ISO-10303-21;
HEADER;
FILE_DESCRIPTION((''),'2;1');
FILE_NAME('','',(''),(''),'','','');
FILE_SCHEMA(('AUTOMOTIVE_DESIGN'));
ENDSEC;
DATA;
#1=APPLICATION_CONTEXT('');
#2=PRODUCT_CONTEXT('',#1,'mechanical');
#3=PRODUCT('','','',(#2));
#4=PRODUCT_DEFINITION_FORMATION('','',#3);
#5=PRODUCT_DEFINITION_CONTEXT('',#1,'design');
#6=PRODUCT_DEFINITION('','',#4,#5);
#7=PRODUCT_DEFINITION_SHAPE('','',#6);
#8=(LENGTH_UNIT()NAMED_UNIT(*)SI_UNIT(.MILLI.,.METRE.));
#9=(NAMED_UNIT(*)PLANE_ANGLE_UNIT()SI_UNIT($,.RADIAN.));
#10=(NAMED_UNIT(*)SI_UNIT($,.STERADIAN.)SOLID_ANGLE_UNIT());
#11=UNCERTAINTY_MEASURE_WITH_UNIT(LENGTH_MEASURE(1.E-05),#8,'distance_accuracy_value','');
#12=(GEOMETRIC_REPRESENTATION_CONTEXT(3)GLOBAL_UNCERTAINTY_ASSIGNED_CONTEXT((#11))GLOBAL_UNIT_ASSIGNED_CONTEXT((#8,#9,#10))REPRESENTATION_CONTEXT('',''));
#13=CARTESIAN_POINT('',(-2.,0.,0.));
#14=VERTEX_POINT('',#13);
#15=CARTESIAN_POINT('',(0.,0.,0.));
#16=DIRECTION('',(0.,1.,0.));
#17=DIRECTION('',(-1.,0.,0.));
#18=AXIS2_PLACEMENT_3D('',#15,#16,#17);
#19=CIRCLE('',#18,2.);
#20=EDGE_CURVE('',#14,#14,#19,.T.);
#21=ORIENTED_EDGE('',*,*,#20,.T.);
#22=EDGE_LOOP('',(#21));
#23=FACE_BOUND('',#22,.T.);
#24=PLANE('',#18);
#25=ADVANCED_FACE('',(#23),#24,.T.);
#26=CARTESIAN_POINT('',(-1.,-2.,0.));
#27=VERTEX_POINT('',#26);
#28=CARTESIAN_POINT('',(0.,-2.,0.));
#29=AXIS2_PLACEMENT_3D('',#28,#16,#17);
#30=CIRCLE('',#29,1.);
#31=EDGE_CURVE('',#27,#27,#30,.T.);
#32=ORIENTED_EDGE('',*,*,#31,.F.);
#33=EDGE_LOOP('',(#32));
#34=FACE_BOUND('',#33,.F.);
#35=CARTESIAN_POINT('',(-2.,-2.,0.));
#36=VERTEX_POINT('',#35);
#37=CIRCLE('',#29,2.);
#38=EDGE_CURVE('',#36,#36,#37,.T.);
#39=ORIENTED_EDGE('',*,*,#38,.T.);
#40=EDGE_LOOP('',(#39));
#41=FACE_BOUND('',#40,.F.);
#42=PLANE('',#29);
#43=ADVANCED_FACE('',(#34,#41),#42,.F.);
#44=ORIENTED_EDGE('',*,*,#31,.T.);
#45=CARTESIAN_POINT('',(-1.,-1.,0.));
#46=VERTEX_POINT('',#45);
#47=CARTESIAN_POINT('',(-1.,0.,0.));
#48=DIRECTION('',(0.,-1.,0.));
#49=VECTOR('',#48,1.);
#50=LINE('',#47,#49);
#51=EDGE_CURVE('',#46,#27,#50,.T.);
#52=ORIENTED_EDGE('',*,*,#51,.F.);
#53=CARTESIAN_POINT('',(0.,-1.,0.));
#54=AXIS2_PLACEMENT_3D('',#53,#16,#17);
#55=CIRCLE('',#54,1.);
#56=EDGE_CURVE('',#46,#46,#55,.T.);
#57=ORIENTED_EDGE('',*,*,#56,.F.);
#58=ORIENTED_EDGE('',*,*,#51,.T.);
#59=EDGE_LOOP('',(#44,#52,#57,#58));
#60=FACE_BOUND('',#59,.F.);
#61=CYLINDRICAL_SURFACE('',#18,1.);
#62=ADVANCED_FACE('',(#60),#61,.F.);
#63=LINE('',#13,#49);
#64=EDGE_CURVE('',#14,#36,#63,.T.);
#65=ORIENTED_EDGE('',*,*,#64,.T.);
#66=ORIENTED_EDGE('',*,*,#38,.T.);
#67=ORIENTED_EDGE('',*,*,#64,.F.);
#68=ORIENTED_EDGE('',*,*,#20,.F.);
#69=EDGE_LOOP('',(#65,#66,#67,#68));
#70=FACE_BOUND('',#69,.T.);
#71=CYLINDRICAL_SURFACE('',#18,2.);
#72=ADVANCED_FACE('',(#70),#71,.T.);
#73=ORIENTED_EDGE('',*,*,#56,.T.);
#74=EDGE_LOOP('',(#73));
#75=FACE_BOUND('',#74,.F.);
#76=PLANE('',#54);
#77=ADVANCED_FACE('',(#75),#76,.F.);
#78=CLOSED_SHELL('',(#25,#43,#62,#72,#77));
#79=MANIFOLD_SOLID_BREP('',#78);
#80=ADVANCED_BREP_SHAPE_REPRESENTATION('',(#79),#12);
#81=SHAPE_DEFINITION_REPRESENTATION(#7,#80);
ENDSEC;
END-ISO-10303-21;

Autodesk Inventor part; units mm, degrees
ref_plane "YZ Plane" through (0, 0, 0) normal (1, 0, 0) x (0, 1, 0)
ref_plane "XZ Plane" through (0, 0, 0) normal (0, 1, 0) x (-1, 0, 0)
ref_plane "XY Plane" through (0, 0, 0) normal (0, 0, 1) x (1, 0, 0)
sketch "Sketch1" plane through (0, 0, 0) normal (0, 1, 0) x (-1, 0, 0)
  circle A0 centre (0, 0) radius 1
  circle A1 centre (0, 0) radius 2
  dimension "d0" = 2
  dimension "d1" = 4
extrude "Extrusion1" add sketch "Sketch1" against normal blind 1 contours A0
extrude "Extrusion2" add sketch "Sketch1" against normal blind 2
properties part number "ShaftCollar"
